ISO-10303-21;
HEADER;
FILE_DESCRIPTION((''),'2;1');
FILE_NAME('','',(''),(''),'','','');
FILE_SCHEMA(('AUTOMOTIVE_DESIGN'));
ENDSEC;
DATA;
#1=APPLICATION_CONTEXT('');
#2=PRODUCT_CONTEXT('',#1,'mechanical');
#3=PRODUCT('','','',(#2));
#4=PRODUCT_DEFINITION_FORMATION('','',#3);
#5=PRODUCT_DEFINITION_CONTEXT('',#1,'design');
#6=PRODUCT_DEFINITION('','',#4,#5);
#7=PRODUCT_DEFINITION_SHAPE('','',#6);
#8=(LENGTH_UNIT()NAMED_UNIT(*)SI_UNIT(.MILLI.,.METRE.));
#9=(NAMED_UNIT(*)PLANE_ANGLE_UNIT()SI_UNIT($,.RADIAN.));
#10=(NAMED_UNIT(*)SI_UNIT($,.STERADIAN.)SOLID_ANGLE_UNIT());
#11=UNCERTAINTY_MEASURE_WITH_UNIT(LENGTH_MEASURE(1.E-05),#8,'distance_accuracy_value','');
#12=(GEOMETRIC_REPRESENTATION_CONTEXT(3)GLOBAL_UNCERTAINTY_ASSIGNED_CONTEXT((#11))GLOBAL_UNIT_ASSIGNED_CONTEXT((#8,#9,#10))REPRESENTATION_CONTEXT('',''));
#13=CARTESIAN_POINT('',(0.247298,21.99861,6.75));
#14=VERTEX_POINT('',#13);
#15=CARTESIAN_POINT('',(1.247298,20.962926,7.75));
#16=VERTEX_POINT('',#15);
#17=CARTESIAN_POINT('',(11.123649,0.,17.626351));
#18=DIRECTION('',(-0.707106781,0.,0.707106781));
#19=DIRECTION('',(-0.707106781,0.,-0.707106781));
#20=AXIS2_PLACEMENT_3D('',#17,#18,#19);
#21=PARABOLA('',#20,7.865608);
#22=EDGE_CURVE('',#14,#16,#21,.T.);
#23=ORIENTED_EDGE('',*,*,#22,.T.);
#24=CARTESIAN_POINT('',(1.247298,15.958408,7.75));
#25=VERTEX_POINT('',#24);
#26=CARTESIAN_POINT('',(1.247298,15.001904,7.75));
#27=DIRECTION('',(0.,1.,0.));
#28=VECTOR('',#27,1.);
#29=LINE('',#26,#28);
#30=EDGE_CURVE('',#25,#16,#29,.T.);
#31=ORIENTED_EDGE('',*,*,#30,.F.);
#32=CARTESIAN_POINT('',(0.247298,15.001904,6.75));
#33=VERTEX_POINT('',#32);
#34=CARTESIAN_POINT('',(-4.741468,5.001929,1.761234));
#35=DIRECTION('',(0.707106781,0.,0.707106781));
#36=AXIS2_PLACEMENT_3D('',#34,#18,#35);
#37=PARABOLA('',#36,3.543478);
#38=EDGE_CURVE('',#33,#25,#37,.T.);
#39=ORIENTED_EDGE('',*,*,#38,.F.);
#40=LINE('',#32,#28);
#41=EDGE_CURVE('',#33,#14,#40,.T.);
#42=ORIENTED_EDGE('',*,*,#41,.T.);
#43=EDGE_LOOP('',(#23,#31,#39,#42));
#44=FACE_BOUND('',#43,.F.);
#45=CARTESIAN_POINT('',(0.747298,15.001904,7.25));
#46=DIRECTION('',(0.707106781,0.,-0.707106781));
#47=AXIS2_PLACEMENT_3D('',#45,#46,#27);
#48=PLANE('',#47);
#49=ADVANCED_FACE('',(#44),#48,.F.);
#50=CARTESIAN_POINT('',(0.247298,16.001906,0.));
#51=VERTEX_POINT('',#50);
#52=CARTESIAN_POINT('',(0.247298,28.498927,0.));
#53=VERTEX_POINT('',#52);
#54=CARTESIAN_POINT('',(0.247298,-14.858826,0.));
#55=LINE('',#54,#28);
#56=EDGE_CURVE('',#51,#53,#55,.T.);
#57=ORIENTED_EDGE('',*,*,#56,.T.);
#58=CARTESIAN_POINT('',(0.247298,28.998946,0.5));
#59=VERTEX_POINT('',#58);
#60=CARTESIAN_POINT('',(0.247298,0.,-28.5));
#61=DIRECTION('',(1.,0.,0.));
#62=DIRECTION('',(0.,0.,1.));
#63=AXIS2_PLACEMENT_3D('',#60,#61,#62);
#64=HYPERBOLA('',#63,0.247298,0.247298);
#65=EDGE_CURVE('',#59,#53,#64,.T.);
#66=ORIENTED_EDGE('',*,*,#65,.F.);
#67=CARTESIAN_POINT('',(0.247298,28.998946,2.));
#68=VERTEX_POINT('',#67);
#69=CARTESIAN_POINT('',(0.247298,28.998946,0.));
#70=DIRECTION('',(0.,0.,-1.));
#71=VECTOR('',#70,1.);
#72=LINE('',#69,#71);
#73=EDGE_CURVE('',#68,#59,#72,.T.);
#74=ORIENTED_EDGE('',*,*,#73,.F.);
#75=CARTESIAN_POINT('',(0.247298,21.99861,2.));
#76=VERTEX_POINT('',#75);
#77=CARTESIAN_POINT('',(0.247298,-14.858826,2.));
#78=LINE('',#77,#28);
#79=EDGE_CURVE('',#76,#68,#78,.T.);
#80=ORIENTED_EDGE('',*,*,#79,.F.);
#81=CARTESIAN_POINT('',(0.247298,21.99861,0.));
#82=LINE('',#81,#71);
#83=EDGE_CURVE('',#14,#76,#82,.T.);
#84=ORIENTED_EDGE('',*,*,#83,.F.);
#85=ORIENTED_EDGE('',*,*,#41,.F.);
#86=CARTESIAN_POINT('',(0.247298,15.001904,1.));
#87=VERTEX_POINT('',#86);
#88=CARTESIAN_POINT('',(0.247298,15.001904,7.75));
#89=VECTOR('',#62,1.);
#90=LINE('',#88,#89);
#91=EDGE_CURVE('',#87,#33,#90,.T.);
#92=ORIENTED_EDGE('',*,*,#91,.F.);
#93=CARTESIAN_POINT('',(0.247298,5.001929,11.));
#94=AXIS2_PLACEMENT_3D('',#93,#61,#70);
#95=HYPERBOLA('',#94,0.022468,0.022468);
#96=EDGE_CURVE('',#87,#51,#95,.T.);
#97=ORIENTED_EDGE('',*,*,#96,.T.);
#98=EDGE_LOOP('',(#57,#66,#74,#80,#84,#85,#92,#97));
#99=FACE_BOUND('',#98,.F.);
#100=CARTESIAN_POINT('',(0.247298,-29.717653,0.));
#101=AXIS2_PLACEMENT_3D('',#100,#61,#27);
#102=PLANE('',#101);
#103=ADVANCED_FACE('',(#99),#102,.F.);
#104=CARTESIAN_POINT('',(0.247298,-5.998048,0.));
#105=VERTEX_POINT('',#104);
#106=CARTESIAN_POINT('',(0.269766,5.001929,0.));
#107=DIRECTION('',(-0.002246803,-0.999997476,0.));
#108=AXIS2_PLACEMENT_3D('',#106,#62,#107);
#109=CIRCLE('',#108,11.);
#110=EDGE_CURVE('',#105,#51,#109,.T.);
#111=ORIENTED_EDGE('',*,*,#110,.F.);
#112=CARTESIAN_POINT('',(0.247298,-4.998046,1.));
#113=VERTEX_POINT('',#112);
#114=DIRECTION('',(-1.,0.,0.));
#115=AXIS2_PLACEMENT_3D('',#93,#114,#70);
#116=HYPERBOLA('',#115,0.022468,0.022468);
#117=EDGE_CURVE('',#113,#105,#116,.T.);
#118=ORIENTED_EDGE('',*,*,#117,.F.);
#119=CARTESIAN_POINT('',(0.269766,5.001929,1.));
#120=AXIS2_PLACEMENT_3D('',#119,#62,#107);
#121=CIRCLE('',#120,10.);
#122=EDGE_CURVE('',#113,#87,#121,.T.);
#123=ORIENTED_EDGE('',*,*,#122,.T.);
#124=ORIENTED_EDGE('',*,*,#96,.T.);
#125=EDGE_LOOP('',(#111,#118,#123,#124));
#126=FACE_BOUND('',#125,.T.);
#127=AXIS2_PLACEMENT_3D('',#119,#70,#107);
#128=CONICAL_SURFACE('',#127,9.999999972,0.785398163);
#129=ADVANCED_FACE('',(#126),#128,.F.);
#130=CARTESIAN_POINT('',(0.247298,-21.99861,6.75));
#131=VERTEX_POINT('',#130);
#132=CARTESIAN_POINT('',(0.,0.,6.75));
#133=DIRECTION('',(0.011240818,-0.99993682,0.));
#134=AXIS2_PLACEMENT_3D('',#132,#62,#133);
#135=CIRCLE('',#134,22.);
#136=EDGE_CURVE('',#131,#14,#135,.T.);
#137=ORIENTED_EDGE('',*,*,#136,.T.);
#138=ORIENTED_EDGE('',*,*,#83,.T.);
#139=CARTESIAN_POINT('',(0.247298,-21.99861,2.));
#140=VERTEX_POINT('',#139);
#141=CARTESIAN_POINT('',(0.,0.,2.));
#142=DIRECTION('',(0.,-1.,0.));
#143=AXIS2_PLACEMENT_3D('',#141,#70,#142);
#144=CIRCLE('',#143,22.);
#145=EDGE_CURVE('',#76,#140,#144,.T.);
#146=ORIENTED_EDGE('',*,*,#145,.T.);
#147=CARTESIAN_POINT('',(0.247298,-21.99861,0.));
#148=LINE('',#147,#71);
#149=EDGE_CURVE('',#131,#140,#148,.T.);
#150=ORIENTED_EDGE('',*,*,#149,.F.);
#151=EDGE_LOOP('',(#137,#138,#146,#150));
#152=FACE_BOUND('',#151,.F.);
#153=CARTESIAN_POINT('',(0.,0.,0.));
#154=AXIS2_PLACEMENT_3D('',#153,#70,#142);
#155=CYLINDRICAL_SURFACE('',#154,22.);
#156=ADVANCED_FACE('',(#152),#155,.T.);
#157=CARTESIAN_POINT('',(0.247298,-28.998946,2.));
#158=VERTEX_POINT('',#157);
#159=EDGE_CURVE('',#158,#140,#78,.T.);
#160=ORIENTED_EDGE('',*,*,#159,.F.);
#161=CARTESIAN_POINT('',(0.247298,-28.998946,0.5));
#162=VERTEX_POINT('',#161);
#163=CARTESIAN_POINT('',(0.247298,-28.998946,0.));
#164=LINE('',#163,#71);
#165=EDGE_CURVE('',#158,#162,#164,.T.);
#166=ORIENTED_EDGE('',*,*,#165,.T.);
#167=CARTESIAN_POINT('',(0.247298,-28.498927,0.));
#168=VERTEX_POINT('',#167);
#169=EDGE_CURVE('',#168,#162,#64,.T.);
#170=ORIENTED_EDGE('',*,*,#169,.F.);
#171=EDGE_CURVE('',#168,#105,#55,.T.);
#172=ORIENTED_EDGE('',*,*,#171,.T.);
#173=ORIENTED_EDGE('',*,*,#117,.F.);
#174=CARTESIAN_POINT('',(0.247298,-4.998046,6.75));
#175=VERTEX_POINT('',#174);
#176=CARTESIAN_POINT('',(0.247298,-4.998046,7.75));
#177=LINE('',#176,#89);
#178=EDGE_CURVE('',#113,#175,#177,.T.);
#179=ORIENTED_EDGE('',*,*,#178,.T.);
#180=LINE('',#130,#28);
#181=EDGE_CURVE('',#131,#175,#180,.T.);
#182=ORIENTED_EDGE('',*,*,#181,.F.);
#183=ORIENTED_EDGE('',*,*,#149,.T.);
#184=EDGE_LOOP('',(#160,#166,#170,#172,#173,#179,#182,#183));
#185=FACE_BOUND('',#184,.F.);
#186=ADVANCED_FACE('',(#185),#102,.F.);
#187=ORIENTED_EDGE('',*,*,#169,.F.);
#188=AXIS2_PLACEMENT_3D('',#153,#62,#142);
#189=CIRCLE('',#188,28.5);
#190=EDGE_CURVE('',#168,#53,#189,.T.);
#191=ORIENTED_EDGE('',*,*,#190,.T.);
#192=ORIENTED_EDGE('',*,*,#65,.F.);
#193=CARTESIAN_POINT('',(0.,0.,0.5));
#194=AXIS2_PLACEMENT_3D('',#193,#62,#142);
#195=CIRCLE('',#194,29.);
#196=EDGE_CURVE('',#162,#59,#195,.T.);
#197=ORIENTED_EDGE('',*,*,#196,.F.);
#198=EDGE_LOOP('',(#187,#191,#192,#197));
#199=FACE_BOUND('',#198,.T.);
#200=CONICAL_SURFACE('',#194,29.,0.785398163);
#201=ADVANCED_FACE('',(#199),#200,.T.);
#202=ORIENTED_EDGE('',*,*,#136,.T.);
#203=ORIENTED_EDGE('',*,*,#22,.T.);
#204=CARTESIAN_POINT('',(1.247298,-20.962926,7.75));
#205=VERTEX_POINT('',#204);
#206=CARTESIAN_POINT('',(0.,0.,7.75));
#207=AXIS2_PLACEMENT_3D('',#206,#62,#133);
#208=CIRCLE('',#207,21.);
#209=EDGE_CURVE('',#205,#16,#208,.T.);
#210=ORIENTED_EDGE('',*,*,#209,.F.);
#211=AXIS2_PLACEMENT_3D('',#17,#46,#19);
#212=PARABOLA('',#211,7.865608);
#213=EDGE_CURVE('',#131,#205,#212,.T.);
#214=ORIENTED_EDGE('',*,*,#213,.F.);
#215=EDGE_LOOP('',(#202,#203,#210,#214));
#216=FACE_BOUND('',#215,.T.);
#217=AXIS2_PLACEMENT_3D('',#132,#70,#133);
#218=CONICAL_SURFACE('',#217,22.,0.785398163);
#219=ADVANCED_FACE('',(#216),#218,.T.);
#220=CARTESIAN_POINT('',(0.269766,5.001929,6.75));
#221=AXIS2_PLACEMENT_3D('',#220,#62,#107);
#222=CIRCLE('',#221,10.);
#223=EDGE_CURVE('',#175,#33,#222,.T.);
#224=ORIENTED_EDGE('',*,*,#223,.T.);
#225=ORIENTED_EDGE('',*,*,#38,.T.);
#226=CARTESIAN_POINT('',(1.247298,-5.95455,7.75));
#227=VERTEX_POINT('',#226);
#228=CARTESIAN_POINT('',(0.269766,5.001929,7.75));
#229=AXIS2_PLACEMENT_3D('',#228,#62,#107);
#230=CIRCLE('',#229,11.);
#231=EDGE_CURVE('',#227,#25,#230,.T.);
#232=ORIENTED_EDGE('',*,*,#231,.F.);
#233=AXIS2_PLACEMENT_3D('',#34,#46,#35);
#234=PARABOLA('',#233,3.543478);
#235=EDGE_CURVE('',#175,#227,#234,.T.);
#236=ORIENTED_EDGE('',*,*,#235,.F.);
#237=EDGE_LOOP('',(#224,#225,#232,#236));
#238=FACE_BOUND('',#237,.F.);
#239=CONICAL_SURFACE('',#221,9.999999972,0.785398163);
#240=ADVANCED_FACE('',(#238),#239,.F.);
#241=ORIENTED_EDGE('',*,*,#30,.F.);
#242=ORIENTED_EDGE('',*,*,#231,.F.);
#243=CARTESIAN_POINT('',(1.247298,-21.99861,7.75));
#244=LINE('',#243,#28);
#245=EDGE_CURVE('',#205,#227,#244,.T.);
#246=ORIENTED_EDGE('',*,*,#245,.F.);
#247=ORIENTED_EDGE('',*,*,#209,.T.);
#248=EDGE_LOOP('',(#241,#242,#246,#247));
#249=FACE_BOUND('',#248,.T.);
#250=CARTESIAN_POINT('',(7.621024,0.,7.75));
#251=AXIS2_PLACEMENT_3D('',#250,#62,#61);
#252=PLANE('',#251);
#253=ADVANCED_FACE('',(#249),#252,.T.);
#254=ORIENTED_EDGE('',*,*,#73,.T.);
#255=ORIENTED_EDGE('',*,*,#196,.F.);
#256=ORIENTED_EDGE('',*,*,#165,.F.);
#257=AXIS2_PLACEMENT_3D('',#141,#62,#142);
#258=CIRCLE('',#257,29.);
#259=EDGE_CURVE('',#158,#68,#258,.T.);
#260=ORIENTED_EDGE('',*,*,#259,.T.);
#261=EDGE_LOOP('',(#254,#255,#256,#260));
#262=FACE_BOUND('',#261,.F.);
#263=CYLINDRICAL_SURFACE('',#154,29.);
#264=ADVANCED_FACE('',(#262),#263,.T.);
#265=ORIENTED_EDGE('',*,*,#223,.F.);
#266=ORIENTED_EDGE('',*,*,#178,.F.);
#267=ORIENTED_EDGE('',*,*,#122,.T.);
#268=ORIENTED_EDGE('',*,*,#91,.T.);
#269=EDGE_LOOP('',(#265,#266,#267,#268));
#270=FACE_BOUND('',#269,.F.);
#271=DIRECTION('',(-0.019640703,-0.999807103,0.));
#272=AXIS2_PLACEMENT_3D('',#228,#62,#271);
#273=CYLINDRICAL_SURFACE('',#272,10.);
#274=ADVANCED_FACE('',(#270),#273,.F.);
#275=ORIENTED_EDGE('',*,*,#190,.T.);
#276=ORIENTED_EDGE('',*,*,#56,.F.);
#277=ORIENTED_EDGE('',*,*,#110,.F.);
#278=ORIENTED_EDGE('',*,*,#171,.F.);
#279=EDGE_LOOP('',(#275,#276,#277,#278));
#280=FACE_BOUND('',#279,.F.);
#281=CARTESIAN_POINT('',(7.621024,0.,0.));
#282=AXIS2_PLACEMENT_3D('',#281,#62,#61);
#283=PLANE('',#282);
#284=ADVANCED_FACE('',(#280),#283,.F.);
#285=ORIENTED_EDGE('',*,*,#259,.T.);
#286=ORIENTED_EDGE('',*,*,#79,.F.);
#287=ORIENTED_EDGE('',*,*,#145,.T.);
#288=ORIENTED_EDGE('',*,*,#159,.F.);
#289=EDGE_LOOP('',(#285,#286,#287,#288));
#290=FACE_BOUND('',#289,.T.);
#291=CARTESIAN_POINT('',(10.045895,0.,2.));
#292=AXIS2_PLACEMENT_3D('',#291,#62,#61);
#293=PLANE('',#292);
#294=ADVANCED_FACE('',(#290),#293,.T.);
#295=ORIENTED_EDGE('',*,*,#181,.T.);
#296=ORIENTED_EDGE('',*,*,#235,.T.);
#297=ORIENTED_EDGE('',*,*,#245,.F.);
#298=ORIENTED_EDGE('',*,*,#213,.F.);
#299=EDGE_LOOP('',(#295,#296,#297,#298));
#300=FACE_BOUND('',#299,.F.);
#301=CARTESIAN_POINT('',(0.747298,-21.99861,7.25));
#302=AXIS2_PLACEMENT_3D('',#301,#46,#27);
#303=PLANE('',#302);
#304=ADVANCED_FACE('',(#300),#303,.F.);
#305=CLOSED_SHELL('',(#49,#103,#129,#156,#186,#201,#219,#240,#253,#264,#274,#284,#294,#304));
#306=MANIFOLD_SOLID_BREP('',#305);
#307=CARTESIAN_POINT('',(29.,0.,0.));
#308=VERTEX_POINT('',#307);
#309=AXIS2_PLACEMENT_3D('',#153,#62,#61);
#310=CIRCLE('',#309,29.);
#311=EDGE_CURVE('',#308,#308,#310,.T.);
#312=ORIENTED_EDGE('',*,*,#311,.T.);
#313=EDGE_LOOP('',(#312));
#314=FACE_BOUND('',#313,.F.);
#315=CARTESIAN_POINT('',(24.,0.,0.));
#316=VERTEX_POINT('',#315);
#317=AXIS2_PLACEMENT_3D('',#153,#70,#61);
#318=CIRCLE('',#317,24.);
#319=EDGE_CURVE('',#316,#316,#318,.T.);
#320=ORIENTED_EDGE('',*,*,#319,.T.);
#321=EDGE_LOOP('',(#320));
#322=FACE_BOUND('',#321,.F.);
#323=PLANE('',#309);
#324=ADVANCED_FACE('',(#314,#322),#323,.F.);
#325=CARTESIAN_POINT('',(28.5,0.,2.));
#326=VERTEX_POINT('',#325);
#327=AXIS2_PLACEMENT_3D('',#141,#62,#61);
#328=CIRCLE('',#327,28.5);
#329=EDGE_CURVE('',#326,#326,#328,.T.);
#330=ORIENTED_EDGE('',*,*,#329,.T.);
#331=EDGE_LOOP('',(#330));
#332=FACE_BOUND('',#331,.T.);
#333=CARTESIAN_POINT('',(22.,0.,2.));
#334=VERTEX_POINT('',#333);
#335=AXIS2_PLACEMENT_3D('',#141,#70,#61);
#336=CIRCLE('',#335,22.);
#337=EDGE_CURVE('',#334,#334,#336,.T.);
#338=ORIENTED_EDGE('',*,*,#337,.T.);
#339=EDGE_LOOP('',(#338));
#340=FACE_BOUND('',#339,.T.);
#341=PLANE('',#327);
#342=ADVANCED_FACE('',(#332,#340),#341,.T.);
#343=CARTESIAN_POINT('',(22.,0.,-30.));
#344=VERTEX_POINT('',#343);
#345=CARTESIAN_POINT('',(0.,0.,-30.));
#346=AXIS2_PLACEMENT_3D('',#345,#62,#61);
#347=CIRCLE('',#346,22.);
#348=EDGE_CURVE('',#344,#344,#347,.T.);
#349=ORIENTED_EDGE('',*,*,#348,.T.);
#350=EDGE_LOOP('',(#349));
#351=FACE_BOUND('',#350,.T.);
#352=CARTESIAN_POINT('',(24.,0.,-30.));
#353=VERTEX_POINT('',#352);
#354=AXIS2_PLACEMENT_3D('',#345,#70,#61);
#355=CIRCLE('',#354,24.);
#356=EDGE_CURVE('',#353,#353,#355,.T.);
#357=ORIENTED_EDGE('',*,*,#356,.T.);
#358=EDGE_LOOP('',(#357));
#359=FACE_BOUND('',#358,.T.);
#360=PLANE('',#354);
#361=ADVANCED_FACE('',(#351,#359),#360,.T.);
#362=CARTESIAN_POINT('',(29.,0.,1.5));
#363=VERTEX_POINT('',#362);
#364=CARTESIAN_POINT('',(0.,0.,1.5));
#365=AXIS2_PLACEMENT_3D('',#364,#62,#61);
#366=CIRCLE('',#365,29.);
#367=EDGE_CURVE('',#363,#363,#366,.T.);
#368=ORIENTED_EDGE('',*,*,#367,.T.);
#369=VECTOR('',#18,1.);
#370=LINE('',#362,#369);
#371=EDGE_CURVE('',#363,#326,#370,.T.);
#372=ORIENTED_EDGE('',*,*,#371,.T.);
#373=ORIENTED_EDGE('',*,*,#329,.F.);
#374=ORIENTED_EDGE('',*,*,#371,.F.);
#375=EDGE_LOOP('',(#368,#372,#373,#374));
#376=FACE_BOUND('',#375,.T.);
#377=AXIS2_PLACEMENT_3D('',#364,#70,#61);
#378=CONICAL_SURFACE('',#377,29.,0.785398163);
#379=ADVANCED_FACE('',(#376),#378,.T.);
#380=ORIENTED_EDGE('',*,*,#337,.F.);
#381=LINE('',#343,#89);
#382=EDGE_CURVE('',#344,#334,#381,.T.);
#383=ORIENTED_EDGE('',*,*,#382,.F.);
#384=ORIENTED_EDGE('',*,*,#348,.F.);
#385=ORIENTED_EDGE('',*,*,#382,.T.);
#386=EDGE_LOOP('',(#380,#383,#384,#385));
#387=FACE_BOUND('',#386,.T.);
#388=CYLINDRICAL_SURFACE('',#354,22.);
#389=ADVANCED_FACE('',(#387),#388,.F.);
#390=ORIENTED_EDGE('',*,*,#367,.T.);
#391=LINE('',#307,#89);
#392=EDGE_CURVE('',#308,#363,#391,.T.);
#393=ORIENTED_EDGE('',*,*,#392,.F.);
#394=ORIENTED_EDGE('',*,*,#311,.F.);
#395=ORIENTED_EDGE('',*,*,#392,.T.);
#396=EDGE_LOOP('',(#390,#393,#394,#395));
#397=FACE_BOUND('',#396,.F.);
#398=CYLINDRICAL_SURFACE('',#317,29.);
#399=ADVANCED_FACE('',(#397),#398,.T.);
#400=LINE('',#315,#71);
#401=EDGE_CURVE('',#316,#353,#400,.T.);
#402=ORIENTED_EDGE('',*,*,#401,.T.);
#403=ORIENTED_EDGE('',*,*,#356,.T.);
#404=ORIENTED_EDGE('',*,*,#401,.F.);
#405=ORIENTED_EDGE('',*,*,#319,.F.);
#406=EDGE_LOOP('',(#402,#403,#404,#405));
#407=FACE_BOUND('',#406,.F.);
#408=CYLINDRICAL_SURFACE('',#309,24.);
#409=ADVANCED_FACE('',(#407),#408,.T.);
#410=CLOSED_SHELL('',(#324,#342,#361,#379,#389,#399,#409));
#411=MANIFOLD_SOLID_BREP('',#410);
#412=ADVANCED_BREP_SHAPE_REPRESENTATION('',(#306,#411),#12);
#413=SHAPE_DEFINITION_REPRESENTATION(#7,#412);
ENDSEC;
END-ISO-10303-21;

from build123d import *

# Parameters (mm, degrees)
SKETCH003_W     = 0.25
SKETCH003_H     = 59.502016
PAD002_DEPTH    = 10.5
PAD_DEPTH       = 2
PAD001_DEPTH    = 7.75
POCKET_DEPTH    = 7.751
CHAMFER_SIZE    = 0.5
CHAMFER001_SIZE = 1
CHAMFER002_SIZE = 1
SKETCH005_R     = 29
PAD003_DEPTH    = 2
CHAMFER003_SIZE = 0.5
SKETCH004_R     = 24
PAD004_DEPTH    = 30
SKETCH006_R     = 22
POCKET001_DEPTH = 32.001


with BuildPart() as body001:
    # Sketch003 → Pad002 (new body, symmetric)
    with BuildSketch(Plane.XY):
        with Locations((0.122298, 0.033355)):
            Rectangle(SKETCH003_W, SKETCH003_H)
    extrude(amount=PAD002_DEPTH, both=True)


with BuildPart() as router_table_insert_cap:
    # Sketch → Pad (new body)
    with BuildSketch(Plane.XY):
        with BuildLine():
            ThreePointArc((0, -29), (29, 0), (0, 29))
            Line((0, 29), (0, -29))
        make_face()
    extrude(amount=PAD_DEPTH)

    # Sketch001 → Pad001 (join)
    with BuildSketch(Plane.XY):
        with BuildLine():
            ThreePointArc((0, -22), (22, 0), (0, 22))
            Line((0, 22), (0, -22))
        make_face()
    extrude(amount=PAD001_DEPTH)

    # Sketch002 (on DatumPlane) → Pocket (cut, through all)
    with BuildSketch(Plane.XY.offset(7.75)):
        with BuildLine():
            Line((0.073359, 15), (0.073359, -4.996142))
            ThreePointArc((0.073359, -4.996142), (10.269766, 5.001929), (0.073359, 15))
        make_face()
    extrude(amount=-POCKET_DEPTH, mode=Mode.SUBTRACT)

    # Chamfer
    chamfer_edges = [router_table_insert_cap.edges().sort_by_distance(p)[0] for p in [
        (29, 0, 0),
    ]]
    chamfer(chamfer_edges, length=CHAMFER_SIZE)

    # Boolean: cut Body001
    add(body001.part, mode=Mode.SUBTRACT)

    # Chamfer001
    chamfer001_edges = [router_table_insert_cap.edges().sort_by_distance(p)[0] for p in [
        (10.269766, 5.001929, 7.75),
        (0.247298, -13.498328, 7.75),
        (0.247298, 18.500257, 7.75),
        (22, 0, 7.75),
    ]]
    chamfer(chamfer001_edges, length=CHAMFER001_SIZE)

    # Chamfer002
    chamfer002_edges = [router_table_insert_cap.edges().sort_by_distance(p)[0] for p in [
        (10.269766, 5.001929, 0),
    ]]
    chamfer(chamfer002_edges, length=CHAMFER002_SIZE)


with BuildPart() as router_table_insert:
    # Sketch005 → Pad003 (new body)
    with BuildSketch(Plane.XY):
        Circle(SKETCH005_R)
    extrude(amount=PAD003_DEPTH)

    # Chamfer003
    chamfer003_edges = [router_table_insert.edges().sort_by_distance(p)[0] for p in [
        (-29, 0, 2),
    ]]
    chamfer(chamfer003_edges, length=CHAMFER003_SIZE)

    # Sketch004 → Pad004 (join)
    with BuildSketch(Plane(origin=(0, 0, 0), x_dir=(1, 0, 0), z_dir=(0, 0, -1))):
        Circle(SKETCH004_R)
    extrude(amount=PAD004_DEPTH)

    # Sketch006 → Pocket001 (cut, through all)
    with BuildSketch(Plane.XY.offset(-30)):
        Circle(SKETCH006_R)
    extrude(amount=POCKET001_DEPTH, mode=Mode.SUBTRACT)


solid = Compound([router_table_insert_cap.part, router_table_insert.part])
